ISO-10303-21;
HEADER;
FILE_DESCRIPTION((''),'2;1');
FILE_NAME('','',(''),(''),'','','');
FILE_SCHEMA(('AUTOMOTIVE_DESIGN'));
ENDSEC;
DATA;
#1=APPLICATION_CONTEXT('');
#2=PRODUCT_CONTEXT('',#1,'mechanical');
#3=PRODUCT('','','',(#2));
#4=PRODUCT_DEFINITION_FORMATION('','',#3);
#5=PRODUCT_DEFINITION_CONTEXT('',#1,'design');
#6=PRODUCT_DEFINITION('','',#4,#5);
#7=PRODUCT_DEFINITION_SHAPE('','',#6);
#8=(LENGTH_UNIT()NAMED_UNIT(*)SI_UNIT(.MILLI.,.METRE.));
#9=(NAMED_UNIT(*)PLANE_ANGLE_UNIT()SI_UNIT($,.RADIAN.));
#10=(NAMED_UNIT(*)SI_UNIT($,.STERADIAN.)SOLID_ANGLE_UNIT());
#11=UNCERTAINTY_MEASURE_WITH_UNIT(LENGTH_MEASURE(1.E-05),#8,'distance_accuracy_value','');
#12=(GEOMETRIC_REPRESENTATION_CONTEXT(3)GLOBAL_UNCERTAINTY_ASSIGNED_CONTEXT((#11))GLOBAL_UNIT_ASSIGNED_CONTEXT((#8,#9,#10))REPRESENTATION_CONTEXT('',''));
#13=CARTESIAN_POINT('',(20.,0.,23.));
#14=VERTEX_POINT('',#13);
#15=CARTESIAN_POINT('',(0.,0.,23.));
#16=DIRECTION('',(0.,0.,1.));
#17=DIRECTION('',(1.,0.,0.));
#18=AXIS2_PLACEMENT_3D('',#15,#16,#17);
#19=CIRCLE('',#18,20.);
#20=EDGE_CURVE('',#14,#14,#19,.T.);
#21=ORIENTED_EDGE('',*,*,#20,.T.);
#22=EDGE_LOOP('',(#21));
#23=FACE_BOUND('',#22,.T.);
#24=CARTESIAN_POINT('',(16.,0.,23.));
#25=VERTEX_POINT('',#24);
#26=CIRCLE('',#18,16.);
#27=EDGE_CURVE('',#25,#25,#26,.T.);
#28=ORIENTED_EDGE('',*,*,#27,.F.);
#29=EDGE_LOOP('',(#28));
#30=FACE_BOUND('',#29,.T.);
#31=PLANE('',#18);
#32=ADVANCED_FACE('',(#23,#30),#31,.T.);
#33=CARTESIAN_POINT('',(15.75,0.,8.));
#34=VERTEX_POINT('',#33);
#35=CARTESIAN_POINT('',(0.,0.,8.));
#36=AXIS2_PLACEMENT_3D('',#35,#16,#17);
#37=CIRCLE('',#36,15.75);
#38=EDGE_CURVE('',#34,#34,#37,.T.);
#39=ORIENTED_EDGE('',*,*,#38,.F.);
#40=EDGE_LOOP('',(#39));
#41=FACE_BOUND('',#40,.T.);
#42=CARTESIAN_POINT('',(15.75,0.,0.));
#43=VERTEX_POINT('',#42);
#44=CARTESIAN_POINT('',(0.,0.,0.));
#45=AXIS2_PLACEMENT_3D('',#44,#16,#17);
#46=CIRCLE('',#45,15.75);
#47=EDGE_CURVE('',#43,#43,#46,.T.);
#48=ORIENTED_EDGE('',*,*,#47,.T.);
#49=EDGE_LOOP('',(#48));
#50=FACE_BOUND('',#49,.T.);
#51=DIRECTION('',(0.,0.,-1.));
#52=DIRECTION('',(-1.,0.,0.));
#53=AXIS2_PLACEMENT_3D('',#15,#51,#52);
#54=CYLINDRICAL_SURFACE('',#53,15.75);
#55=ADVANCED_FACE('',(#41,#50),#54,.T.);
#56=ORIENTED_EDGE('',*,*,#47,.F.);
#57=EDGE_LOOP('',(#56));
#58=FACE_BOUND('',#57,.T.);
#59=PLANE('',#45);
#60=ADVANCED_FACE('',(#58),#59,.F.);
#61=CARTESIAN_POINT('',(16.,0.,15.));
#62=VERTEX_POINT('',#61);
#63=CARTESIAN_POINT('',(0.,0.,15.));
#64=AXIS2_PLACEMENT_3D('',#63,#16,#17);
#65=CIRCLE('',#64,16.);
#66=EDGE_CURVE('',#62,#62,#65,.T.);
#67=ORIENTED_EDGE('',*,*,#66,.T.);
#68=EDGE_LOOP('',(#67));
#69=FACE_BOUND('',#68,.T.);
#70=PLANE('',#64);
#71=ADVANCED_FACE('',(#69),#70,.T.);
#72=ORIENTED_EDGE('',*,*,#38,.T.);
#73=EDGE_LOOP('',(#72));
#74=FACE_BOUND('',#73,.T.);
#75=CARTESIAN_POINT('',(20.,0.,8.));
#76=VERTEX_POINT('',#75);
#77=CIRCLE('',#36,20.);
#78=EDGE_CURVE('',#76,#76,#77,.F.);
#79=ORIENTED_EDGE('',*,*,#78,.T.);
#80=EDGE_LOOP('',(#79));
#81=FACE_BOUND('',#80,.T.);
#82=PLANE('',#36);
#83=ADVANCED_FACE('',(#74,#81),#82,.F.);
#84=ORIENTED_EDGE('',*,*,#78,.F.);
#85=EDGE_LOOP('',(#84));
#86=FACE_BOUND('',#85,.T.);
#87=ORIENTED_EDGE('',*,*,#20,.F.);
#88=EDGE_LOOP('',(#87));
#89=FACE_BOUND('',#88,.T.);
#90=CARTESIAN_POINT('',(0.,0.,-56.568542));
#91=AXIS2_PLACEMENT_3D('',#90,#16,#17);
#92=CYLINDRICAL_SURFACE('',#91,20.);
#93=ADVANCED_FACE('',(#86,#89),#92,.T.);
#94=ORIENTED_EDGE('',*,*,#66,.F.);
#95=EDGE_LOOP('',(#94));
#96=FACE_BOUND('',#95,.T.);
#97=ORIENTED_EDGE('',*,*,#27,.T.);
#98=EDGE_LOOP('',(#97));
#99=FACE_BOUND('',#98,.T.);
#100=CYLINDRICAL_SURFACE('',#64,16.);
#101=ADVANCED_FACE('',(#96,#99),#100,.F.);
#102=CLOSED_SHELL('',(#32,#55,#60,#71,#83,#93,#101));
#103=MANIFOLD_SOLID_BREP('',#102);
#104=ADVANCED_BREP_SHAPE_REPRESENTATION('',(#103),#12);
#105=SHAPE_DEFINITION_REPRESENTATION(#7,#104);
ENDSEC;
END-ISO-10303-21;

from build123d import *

# Parameters (mm, degrees)
SKETCH1_R           = 15.75
BOSS_EXTRUDE1_DEPTH = 23
SKETCH2_R           = 20
BOSS_EXTRUDE2_DEPTH = 15
SKETCH3_R           = 16
CUT_EXTRUDE1_DEPTH  = 8


with BuildPart() as part:
    # Sketch1 → Boss-Extrude1 (new body)
    with BuildSketch(Plane.XY):
        Circle(SKETCH1_R)
    extrude(amount=BOSS_EXTRUDE1_DEPTH)

    # Sketch2 → Boss-Extrude2 (add)
    with BuildSketch(Plane.XY.offset(23)):
        Circle(SKETCH2_R)
    extrude(amount=-BOSS_EXTRUDE2_DEPTH)

    # Sketch3 → Cut-Extrude1 (cut)
    with BuildSketch(Plane.XY.offset(23)):
        Circle(SKETCH3_R)
    extrude(amount=-CUT_EXTRUDE1_DEPTH, mode=Mode.SUBTRACT)


solid = part.part
